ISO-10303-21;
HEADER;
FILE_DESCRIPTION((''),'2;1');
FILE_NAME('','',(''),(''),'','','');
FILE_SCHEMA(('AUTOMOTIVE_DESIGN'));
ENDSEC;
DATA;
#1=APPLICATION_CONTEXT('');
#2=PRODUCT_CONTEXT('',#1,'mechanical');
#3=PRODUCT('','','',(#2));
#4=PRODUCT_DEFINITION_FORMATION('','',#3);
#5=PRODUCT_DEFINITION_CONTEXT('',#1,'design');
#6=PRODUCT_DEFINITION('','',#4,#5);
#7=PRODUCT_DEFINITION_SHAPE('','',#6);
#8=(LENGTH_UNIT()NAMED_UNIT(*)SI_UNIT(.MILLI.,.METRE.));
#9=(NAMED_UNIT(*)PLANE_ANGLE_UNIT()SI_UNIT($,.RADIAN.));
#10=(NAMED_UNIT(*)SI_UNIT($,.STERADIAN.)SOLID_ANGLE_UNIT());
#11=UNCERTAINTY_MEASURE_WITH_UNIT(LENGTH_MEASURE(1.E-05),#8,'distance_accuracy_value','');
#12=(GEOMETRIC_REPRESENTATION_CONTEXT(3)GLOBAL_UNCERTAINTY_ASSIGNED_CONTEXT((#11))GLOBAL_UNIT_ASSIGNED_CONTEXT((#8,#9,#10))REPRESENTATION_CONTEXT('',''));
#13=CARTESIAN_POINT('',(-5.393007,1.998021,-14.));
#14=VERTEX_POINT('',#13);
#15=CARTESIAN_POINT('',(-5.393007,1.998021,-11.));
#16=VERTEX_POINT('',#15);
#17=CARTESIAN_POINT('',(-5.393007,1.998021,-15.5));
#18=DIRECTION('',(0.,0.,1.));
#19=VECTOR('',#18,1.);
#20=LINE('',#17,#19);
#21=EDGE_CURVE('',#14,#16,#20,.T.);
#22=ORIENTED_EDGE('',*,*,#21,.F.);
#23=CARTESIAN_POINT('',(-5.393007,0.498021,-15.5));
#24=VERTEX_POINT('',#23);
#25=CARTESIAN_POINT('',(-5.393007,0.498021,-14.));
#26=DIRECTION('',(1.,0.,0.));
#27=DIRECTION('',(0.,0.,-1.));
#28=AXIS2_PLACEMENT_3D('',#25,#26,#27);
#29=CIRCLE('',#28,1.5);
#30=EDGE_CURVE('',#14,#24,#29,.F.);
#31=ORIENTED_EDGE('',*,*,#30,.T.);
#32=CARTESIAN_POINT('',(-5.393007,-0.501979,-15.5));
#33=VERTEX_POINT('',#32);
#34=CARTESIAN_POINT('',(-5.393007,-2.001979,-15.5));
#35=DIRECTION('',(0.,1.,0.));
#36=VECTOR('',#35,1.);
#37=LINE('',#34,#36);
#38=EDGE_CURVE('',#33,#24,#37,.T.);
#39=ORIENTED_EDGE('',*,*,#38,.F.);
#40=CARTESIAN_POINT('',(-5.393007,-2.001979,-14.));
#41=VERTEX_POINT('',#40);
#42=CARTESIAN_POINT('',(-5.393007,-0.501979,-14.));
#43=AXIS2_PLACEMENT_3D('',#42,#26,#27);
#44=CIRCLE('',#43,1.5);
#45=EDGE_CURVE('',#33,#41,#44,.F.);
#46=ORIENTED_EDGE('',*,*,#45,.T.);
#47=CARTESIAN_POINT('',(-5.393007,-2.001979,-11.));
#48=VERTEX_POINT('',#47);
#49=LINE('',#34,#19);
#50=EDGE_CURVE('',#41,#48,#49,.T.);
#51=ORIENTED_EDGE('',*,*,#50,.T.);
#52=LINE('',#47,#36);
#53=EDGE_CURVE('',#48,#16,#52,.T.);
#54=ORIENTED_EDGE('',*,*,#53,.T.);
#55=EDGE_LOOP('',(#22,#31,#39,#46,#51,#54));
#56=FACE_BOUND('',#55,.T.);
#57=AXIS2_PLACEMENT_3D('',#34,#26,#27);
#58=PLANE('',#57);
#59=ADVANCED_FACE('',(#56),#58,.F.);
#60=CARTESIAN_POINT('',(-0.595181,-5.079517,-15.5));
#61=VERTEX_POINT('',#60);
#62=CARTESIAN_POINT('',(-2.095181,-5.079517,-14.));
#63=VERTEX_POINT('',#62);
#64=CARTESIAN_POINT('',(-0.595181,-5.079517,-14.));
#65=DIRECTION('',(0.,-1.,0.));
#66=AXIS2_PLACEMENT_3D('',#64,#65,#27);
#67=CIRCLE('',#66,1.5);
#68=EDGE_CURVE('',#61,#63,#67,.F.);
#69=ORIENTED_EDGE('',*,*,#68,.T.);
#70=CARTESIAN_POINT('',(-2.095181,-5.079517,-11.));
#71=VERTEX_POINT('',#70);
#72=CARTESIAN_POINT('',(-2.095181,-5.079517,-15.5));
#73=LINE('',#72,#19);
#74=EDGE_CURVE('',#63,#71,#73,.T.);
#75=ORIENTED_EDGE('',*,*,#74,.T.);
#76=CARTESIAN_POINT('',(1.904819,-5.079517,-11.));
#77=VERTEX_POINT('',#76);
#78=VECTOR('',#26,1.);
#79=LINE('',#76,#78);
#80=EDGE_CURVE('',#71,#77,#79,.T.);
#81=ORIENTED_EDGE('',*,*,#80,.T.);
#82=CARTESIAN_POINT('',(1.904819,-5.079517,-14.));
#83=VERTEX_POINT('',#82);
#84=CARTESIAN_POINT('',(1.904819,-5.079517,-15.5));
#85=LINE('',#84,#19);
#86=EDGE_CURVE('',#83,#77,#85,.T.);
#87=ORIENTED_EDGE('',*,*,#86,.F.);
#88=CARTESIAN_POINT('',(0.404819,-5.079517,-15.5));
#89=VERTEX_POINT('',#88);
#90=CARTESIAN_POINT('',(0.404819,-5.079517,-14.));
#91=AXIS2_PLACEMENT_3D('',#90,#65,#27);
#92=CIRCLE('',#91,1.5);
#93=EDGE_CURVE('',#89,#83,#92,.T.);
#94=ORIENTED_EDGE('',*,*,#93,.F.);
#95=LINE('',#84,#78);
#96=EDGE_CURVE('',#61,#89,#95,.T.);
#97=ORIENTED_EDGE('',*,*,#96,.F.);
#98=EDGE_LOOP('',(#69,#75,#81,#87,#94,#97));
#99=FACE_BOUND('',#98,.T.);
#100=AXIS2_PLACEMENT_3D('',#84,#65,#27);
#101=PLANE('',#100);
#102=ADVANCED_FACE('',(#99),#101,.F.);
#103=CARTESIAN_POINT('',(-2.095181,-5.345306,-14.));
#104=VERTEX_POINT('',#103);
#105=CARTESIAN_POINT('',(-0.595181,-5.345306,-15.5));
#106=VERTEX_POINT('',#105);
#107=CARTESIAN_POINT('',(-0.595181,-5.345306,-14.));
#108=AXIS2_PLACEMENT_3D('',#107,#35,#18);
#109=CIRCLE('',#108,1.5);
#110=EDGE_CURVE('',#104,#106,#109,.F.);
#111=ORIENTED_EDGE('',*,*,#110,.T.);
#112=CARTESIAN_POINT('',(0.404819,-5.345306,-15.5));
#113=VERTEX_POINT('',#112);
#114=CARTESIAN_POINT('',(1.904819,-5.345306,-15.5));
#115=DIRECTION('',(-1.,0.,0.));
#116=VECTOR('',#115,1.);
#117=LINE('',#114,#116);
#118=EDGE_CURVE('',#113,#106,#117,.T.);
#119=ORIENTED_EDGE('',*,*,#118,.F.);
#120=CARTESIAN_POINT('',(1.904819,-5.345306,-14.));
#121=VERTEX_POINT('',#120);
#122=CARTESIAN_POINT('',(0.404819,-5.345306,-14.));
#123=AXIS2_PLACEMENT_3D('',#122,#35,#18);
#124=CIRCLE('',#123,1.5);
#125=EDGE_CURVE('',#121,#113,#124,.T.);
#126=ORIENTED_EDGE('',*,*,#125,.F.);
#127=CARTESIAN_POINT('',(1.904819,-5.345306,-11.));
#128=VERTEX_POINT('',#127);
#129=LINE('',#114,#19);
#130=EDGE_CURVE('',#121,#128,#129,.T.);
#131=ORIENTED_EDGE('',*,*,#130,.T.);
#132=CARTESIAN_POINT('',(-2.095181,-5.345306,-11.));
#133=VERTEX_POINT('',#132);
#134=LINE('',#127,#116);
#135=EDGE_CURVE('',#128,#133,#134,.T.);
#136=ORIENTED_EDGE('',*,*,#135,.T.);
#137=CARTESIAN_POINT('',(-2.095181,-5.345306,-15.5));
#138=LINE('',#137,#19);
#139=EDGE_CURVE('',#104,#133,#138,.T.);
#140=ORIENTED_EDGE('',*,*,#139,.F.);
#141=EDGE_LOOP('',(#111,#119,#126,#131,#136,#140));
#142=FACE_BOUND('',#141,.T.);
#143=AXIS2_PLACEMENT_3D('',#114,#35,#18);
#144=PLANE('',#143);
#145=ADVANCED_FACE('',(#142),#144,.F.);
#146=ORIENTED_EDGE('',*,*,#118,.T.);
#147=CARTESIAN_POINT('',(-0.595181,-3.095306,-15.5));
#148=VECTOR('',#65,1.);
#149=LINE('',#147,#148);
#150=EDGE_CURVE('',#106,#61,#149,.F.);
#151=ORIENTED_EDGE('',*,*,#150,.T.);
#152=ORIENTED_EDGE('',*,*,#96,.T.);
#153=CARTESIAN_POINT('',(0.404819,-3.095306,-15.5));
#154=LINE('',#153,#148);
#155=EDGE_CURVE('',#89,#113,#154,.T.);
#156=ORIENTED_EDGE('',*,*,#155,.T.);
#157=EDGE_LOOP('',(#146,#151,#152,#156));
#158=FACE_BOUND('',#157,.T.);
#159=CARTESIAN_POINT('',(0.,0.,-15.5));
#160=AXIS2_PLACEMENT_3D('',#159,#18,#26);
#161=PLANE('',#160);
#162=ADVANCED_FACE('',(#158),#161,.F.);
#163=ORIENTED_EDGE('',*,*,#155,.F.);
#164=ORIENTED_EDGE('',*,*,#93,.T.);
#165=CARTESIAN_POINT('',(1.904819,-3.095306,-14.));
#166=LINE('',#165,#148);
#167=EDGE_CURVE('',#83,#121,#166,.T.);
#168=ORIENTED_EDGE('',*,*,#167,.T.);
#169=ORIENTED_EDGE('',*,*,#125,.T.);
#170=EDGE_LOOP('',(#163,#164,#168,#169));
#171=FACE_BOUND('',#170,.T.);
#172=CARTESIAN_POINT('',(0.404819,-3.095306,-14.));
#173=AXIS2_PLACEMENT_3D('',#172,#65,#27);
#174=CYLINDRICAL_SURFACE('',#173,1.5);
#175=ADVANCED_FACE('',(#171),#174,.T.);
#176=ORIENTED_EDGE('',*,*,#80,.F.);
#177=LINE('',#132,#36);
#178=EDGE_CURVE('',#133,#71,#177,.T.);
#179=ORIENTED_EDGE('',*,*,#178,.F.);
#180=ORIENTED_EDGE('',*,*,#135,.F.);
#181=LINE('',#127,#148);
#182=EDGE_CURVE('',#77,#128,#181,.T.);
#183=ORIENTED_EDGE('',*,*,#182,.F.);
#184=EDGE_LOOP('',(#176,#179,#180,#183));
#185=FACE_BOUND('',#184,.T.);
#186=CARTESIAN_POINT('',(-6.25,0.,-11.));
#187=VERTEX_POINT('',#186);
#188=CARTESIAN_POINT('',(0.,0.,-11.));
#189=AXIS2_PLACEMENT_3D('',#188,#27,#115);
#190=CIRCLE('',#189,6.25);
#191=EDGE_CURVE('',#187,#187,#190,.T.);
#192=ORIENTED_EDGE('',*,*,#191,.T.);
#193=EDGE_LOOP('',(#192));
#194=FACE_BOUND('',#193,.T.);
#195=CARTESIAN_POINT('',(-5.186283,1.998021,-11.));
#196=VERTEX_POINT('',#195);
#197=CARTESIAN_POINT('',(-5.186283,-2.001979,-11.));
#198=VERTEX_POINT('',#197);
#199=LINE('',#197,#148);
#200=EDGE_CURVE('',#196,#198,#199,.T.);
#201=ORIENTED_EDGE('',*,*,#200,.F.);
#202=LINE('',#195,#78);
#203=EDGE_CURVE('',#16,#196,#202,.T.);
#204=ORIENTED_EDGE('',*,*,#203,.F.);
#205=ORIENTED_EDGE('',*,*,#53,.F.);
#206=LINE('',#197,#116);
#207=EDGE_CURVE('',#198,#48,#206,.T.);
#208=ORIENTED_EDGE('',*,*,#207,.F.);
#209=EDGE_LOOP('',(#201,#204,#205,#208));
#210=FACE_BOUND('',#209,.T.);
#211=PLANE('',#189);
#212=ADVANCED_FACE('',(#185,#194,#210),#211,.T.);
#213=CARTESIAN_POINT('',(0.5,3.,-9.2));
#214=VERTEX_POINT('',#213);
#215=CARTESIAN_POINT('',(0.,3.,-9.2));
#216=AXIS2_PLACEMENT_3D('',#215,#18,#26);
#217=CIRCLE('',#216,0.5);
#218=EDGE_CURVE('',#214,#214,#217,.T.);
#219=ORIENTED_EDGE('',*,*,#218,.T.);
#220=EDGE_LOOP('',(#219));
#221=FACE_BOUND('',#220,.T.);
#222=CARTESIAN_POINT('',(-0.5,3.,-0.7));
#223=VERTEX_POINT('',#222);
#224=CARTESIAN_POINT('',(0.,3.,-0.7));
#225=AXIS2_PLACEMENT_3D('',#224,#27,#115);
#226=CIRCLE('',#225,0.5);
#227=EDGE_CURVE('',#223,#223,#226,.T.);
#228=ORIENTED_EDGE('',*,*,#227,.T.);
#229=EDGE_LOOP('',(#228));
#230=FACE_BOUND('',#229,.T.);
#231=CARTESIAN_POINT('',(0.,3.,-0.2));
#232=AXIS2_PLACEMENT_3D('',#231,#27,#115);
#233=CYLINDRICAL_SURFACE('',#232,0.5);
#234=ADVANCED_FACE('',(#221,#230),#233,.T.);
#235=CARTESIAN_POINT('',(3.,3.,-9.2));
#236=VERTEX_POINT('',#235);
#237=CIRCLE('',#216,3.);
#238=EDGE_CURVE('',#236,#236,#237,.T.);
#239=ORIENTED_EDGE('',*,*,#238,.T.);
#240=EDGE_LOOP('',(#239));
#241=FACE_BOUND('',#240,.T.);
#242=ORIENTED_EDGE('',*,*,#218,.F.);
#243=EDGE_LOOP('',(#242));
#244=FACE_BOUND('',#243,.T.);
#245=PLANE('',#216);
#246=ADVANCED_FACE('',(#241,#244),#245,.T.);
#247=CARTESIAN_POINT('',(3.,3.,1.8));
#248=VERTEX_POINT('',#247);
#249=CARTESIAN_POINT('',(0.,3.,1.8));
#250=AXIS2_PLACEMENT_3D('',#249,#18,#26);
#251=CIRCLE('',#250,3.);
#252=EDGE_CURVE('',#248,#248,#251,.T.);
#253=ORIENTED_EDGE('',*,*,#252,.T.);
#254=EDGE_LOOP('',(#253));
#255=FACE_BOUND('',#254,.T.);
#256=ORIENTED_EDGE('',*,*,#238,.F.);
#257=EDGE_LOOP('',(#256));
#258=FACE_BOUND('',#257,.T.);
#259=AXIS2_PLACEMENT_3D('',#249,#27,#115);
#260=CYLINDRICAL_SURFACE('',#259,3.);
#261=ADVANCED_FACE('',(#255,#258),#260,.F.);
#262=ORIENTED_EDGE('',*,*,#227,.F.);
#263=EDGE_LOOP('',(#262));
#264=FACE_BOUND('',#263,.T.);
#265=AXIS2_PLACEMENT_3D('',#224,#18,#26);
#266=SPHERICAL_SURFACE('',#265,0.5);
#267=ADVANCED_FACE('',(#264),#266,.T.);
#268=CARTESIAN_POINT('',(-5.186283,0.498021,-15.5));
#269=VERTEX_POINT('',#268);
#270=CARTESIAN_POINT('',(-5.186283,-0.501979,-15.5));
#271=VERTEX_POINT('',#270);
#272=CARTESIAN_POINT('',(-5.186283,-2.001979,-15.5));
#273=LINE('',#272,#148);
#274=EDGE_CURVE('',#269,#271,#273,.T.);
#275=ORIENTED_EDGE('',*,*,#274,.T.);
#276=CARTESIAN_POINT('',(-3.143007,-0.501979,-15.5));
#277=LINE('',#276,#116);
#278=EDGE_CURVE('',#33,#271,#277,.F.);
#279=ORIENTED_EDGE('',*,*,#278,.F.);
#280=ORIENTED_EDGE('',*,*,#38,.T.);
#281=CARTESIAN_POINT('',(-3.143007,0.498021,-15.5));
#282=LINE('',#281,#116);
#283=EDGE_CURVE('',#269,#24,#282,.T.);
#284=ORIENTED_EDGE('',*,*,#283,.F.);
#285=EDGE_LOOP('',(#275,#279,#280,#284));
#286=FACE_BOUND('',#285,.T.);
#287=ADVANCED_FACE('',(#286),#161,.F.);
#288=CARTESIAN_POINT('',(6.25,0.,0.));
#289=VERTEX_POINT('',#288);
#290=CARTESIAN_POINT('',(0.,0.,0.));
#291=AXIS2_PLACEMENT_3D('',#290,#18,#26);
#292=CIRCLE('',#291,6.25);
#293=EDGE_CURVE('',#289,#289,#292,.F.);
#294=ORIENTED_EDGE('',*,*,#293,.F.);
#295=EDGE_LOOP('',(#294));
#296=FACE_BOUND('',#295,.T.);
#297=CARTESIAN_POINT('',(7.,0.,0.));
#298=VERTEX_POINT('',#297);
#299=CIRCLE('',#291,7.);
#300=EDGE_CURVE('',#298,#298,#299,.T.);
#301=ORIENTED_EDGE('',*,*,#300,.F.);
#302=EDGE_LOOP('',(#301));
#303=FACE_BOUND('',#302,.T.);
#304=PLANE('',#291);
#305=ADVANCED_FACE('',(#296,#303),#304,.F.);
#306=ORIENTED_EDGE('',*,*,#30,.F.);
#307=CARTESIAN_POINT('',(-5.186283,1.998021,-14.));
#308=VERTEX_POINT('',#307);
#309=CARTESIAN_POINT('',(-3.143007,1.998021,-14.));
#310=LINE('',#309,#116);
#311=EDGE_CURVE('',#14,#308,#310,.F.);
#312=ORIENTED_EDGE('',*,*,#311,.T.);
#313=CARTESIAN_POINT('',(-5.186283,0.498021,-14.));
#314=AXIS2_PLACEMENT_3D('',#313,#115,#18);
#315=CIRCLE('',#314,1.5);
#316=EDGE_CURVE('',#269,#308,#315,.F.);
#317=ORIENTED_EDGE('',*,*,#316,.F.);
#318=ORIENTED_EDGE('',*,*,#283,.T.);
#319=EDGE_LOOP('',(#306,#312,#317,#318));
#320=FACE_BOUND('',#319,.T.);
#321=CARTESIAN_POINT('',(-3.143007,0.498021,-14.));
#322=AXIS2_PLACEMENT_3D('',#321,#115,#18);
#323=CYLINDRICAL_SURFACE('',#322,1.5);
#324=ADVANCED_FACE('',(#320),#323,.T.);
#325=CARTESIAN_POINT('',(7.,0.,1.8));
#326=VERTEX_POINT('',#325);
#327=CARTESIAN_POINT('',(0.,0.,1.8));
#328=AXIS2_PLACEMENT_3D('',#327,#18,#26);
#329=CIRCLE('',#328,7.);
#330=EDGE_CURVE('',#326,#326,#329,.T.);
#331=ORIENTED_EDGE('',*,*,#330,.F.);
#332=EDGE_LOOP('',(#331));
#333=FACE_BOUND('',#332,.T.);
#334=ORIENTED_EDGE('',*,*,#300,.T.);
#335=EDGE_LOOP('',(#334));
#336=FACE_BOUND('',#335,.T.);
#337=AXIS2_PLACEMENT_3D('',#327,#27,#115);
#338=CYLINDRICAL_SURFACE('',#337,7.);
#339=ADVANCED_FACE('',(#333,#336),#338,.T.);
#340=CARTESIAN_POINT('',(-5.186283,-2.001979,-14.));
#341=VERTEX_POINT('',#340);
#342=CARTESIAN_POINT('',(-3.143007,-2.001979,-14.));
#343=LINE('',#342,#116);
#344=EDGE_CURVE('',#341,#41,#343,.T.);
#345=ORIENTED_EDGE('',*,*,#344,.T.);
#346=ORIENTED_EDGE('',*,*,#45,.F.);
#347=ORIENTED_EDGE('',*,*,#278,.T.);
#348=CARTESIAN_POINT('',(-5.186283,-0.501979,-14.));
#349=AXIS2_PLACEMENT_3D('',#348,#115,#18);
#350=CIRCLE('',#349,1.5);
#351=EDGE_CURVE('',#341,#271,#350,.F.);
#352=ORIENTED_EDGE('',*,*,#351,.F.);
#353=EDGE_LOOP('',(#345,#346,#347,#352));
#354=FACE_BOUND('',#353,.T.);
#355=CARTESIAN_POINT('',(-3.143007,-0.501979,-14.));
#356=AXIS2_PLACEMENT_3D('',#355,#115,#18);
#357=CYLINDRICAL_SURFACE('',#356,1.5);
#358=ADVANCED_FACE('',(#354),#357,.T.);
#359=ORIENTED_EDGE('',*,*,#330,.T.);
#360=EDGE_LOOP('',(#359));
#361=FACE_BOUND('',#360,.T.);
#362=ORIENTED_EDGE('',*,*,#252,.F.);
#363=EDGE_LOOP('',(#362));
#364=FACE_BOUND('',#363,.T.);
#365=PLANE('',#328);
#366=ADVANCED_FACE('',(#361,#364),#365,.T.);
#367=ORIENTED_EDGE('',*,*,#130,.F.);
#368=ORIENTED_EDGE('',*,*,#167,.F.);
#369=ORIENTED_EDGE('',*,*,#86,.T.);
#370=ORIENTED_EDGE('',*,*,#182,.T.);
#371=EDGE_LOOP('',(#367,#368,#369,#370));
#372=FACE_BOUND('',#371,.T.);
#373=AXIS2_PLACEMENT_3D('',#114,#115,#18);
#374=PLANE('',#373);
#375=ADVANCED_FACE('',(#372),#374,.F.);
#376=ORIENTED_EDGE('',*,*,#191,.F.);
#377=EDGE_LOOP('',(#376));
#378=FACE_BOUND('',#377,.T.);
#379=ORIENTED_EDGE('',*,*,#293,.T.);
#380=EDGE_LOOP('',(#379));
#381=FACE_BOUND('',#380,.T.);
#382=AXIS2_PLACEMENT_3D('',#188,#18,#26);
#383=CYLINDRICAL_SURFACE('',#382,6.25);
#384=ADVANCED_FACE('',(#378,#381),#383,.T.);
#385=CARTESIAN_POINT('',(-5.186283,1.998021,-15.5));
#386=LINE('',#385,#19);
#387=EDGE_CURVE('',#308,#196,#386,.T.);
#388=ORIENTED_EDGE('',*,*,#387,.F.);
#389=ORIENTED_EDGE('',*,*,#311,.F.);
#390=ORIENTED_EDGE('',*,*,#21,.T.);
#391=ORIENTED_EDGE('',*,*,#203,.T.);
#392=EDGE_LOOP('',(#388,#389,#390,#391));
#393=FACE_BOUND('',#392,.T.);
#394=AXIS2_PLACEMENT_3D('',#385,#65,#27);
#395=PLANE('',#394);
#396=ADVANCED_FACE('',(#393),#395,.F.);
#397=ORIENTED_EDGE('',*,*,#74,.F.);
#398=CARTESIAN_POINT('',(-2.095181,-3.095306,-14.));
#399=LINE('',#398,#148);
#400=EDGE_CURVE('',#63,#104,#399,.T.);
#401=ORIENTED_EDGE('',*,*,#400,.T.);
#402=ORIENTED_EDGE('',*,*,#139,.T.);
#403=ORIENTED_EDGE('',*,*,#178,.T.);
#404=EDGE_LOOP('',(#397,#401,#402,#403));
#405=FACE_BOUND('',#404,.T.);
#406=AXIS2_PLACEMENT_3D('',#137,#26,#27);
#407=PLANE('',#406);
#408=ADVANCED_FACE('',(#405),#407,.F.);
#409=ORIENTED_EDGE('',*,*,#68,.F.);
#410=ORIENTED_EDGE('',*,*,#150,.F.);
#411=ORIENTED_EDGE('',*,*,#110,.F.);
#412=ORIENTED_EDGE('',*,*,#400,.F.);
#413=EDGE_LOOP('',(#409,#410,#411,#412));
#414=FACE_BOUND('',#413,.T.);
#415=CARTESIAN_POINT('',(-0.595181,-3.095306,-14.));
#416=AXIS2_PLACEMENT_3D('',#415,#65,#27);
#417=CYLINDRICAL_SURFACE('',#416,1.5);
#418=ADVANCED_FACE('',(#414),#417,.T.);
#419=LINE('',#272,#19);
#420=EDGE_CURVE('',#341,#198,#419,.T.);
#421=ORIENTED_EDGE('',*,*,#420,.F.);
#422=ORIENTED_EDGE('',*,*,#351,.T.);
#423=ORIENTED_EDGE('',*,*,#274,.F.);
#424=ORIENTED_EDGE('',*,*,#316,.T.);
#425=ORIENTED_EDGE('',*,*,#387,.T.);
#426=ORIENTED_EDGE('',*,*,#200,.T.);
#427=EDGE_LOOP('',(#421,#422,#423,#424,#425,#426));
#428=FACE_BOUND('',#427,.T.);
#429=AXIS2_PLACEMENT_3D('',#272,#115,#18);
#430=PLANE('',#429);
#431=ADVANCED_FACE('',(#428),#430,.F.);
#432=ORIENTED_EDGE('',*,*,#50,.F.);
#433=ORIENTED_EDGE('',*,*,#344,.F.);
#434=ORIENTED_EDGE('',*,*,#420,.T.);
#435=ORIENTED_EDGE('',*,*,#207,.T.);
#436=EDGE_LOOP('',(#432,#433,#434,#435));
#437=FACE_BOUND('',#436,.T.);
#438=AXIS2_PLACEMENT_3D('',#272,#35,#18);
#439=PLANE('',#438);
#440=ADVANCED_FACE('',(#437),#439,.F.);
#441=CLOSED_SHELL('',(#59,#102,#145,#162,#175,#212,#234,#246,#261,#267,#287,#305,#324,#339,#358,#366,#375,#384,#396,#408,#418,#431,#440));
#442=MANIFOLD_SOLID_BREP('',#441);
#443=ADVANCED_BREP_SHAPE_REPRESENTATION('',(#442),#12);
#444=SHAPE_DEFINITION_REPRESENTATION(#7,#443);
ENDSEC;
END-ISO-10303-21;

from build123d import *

# Parameters (mm, degrees)
ESBO_O1_R                = 7
ESBO_O1_R_2              = 3
RESSALTO_EXTRUS_O1_DEPTH = 1.8
ESBO_O2_R                = 6.25
RESSALTO_EXTRUS_O2_DEPTH = 11
CORTE_EXTRUS_O1_START    = -11
ESBO_O3_R                = 3
CORTE_EXTRUS_O1_DEPTH    = 11
ESBO_O4_R                = 0.5
RESSALTO_EXTRUS_O3_DEPTH = 9
FILETE1_R                = 0.5
ESBO_O5_W                = 4
ESBO_O5_H                = 0.265788673
ESBO_O5_W_2              = 0.206724524
ESBO_O5_H_2              = 4
RESSALTO_EXTRUS_O4_DEPTH = 4.5
CORTE_EXTRUS_O2_DEPTH    = 2.25
CORTE_EXTRUS_O3_DEPTH    = 2.25


with BuildPart() as part:
    # Esboço1 → Ressalto-extrusão1 (new body)
    with BuildSketch(Plane.XY):
        Circle(ESBO_O1_R)
        with Locations((0, 3)):
            Circle(ESBO_O1_R_2, mode=Mode.SUBTRACT)
    extrude(amount=RESSALTO_EXTRUS_O1_DEPTH)

    # Esboço2 → Ressalto-extrusão2 (add)
    with BuildSketch(Plane(origin=(0, 0, 0), x_dir=(-1, 0, 0), z_dir=(0, 0, -1))):
        with Locations(Location((0, 0, 0), (0, 0, 180))):
            Circle(ESBO_O2_R)
    extrude(amount=RESSALTO_EXTRUS_O2_DEPTH)

    # Esboço3 → Corte-extrusão1 (cut)
    with BuildSketch(Plane.XY.offset(1.8).offset(CORTE_EXTRUS_O1_START)):
        with Locations((0, 3)):
            Circle(ESBO_O3_R)
    extrude(amount=CORTE_EXTRUS_O1_DEPTH, mode=Mode.SUBTRACT)

    # Esboço4 → Ressalto-extrusão3 (add)
    with BuildSketch(Plane.XY.offset(-9.2)):
        with Locations((0, 3)):
            Circle(ESBO_O4_R)
    extrude(amount=RESSALTO_EXTRUS_O3_DEPTH)

    # Filete1
    filete1_edges = [part.edges().sort_by_distance(p)[0] for p in [
        (-0.5, 3, -0.2),
    ]]
    fillet(filete1_edges, radius=FILETE1_R)

    # Esboço5 → Ressalto-extrusão4 (add)
    with BuildSketch(Plane(origin=(0, 0, -11), x_dir=(-1, 0, 0), z_dir=(0, 0, -1))):
        with Locations((0.095181179, -5.212411193)):
            Rectangle(ESBO_O5_W, ESBO_O5_H)
        with Locations((5.289644951, -0.001979347)):
            Rectangle(ESBO_O5_W_2, ESBO_O5_H_2)
    extrude(amount=RESSALTO_EXTRUS_O4_DEPTH)

    # Esboço6 → Corte-extrusão2 (cut, symmetric)
    with BuildSketch(Plane.ZY.offset(5.393007213)):
        with BuildLine():
            Line((-15.5, -2.001979347), (-14, -2.001979347))
            ThreePointArc((-14, -2.001979347), (-15.060660172, -1.562639519), (-15.5, -0.501979347))
            Line((-15.5, -0.501979347), (-15.5, -2.001979347))
        make_face()
        with BuildLine():
            Line((-15.5, 1.998020653), (-15.5, 0.498020653))
            ThreePointArc((-15.5, 0.498020653), (-15.060660172, 1.558680825), (-14, 1.998020653))
            Line((-14, 1.998020653), (-15.5, 1.998020653))
        make_face()
    extrude(amount=CORTE_EXTRUS_O2_DEPTH, both=True, mode=Mode.SUBTRACT)

    # Esboço7 → Corte-extrusão3 (cut, symmetric)
    with BuildSketch(Plane.XZ.offset(5.345305529)):
        with BuildLine():
            Line((1.904818821, -15.5), (1.904818821, -14))
            ThreePointArc((1.904818821, -14), (1.465478993, -15.060660172), (0.404818821, -15.5))
            Line((0.404818821, -15.5), (1.904818821, -15.5))
        make_face()
        with BuildLine():
            Line((-2.095181179, -15.5), (-0.595181179, -15.5))
            ThreePointArc((-0.595181179, -15.5), (-1.655841351, -15.060660172), (-2.095181179, -14))
            Line((-2.095181179, -14), (-2.095181179, -15.5))
        make_face()
    extrude(amount=CORTE_EXTRUS_O3_DEPTH, both=True, mode=Mode.SUBTRACT)


solid = part.part
